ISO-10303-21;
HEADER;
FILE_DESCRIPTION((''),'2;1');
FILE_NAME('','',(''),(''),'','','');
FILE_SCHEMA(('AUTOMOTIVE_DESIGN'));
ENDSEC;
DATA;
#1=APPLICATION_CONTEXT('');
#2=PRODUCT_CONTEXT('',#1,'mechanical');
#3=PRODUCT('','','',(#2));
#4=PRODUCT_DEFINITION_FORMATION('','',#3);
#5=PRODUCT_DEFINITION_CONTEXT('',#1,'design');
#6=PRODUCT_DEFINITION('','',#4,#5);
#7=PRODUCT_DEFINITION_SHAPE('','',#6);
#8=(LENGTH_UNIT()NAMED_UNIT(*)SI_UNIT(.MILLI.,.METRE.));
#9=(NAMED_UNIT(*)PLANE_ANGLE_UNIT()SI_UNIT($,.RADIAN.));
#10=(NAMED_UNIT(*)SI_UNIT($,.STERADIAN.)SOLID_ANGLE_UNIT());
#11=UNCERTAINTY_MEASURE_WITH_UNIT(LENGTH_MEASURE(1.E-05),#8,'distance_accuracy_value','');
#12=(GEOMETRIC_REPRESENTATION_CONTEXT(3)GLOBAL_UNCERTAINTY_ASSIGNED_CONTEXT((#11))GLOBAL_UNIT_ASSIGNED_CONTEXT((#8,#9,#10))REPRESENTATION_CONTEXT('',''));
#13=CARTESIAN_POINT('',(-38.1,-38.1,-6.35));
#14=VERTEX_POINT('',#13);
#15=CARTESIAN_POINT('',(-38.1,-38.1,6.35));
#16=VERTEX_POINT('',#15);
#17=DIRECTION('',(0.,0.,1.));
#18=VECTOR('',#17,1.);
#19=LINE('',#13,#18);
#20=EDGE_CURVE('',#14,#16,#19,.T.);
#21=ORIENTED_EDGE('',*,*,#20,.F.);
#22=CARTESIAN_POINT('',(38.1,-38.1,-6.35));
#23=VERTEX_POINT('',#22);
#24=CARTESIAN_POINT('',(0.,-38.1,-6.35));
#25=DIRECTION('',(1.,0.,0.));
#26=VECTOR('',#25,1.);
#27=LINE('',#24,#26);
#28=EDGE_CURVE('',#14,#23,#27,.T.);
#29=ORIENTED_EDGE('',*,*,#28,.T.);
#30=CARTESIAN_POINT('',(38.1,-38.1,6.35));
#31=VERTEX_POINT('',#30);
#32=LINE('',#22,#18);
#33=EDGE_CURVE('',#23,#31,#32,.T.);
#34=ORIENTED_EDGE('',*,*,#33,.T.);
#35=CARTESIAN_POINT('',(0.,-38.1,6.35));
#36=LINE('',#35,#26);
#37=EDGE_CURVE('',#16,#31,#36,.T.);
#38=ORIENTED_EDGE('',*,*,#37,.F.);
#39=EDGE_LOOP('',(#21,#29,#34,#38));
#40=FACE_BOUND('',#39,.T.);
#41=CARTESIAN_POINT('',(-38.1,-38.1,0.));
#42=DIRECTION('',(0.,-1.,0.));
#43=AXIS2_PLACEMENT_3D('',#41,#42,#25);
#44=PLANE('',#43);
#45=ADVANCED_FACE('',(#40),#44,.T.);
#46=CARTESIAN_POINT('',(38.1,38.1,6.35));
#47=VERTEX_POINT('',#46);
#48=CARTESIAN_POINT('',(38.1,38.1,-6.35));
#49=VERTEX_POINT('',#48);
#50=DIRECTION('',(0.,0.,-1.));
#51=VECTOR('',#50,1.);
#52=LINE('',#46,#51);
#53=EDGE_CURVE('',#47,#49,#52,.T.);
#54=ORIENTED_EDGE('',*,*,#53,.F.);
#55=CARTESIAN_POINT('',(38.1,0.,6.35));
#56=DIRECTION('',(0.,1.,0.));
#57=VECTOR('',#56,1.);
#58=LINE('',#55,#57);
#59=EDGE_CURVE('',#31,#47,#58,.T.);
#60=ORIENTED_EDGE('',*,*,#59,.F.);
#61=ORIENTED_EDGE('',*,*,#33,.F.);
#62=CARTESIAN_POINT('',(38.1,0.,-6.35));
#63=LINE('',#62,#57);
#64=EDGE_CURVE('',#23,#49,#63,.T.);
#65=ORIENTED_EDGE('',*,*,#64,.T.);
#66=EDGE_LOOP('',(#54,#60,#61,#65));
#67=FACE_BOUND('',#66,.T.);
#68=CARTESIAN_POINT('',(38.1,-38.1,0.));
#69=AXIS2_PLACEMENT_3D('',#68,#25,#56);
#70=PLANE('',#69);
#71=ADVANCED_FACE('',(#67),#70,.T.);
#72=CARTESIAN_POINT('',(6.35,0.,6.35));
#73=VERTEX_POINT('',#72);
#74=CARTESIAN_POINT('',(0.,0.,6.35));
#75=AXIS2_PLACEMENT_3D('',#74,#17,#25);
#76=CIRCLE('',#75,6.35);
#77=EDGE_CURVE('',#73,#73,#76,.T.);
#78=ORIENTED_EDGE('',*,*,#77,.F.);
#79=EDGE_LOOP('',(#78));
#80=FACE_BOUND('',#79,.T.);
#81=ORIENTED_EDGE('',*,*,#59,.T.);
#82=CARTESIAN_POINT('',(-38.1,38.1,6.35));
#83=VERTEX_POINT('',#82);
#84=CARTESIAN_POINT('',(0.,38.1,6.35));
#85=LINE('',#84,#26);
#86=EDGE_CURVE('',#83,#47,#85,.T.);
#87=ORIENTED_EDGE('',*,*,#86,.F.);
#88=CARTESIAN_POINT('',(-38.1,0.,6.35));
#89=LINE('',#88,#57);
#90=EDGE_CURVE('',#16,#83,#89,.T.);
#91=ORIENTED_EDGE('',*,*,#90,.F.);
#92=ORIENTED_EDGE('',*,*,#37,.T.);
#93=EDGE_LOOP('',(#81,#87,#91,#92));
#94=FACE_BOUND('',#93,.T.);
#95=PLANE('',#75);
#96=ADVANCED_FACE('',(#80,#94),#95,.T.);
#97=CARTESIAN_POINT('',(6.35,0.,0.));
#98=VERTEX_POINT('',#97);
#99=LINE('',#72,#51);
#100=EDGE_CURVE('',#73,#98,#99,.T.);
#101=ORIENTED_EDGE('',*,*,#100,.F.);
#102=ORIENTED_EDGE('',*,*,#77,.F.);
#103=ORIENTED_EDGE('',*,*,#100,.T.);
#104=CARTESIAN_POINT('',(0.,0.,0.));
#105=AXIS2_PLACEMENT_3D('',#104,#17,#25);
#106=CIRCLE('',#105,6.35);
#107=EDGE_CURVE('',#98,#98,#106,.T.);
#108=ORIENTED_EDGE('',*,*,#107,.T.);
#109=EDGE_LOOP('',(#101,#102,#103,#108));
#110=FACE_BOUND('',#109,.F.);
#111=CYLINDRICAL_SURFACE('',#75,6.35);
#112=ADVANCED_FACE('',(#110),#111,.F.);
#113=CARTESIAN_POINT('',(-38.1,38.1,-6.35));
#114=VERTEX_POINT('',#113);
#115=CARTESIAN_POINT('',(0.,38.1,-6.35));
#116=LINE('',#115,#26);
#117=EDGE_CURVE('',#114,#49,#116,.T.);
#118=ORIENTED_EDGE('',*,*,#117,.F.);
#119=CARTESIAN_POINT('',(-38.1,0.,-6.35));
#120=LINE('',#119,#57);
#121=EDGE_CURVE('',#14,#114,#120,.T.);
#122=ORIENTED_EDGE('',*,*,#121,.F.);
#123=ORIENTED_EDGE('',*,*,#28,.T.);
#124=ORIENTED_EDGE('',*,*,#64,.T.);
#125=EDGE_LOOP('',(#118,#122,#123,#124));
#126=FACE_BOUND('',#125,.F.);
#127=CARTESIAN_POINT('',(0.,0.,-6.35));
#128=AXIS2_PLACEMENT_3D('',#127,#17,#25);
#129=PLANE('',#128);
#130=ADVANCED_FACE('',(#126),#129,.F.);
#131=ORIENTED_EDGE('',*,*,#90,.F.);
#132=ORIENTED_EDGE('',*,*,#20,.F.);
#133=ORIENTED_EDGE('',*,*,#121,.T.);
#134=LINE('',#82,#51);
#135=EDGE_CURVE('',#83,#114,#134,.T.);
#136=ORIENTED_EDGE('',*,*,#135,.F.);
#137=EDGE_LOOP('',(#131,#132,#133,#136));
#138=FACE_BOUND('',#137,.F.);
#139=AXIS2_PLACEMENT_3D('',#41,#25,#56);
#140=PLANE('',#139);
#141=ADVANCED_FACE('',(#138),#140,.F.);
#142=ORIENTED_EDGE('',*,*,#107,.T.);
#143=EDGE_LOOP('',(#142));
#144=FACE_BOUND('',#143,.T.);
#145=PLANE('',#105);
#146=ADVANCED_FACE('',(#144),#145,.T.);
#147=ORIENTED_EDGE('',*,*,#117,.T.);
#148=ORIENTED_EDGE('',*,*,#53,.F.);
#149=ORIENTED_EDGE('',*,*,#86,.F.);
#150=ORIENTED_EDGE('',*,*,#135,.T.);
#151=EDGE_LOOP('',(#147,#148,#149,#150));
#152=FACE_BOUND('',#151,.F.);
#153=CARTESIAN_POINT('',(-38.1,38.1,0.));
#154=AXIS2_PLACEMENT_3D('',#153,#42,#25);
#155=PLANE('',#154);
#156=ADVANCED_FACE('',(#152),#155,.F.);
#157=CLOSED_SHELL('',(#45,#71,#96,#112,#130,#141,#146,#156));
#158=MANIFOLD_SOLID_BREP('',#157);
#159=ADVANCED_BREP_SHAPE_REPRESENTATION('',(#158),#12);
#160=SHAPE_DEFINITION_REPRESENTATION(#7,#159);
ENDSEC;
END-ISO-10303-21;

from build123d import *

# Parameters (mm, degrees)
F0_W     = 76.2
F0_H     = 76.2
F1_DEPTH = 6.35
F2_R     = 6.35
F3_DEPTH = 6.35


with BuildPart() as f1:
    # F0 (on Top) → F1 (new body, symmetric)
    with BuildSketch(Plane.XY):
        Rectangle(F0_W, F0_H)
    extrude(amount=F1_DEPTH, both=True)

    # F2 (on face) → F3 (cut)
    with BuildSketch(Plane.XY.offset(6.35)):
        Circle(F2_R)
    extrude(amount=-F3_DEPTH, mode=Mode.SUBTRACT)


solid = f1.part
